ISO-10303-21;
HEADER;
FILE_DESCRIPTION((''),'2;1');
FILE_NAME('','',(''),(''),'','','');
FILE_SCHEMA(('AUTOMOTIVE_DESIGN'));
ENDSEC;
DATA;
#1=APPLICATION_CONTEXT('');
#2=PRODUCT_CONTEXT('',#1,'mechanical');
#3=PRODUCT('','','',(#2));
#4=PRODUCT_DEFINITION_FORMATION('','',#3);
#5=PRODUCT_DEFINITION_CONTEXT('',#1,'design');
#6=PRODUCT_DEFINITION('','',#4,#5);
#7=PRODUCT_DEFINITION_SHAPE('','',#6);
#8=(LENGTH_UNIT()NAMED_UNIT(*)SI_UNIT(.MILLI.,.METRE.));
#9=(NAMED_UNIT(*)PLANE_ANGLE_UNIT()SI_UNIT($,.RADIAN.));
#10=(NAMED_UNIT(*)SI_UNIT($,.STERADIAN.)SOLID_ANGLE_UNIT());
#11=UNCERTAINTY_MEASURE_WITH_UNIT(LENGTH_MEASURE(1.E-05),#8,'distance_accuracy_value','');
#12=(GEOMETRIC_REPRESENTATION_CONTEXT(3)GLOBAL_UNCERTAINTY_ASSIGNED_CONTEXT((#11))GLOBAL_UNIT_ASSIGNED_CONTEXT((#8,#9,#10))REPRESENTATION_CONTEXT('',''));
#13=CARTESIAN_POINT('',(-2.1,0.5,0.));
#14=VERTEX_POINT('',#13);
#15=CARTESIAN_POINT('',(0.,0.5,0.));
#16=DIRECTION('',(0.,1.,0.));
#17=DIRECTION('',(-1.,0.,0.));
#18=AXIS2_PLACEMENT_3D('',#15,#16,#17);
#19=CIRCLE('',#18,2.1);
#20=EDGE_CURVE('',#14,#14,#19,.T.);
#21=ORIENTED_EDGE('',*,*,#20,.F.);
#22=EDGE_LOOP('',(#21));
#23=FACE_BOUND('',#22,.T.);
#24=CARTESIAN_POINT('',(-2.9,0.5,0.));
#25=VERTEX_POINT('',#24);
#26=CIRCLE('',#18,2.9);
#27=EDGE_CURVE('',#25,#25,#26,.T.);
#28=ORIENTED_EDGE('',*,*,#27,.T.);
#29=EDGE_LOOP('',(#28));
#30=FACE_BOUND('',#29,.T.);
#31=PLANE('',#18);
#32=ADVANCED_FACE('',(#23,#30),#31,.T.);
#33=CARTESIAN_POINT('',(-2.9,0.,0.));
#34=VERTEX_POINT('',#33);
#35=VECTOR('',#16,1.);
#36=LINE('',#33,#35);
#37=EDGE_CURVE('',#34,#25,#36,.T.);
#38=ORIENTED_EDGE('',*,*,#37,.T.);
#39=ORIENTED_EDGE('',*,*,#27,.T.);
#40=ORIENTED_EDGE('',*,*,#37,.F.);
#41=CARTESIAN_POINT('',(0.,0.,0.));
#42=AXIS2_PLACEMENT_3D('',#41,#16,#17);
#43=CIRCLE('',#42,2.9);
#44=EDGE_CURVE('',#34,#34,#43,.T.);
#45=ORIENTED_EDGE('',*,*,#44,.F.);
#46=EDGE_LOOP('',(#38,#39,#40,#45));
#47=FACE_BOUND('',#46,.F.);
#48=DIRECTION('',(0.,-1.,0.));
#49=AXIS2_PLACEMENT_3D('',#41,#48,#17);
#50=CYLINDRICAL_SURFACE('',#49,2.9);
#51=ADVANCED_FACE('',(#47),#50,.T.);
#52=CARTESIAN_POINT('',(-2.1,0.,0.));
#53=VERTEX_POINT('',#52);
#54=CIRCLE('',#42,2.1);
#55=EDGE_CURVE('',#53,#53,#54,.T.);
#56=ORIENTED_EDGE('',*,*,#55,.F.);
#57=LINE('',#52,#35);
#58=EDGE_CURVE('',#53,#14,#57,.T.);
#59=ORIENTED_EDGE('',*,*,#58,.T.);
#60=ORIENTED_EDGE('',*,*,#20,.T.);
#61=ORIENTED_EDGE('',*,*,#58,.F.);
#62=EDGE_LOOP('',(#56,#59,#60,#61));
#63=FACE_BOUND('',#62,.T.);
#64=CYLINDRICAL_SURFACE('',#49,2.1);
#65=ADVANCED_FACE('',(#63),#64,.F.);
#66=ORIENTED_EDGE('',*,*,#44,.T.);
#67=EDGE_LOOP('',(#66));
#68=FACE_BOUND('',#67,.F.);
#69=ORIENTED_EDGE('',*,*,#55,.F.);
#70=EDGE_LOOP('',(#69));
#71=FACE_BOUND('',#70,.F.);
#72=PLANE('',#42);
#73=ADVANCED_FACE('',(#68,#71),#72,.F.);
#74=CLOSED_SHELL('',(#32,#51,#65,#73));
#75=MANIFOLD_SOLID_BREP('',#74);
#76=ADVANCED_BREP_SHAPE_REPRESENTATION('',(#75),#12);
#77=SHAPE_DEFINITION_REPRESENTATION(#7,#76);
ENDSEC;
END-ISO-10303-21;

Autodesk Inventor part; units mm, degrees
ref_plane "YZ Plane" through (0, 0, 0) normal (1, 0, 0) x (0, 1, 0)
ref_plane "XZ Plane" through (0, 0, 0) normal (0, 1, 0) x (-1, 0, 0)
ref_plane "XY Plane" through (0, 0, 0) normal (0, 0, 1) x (1, 0, 0)
sketch "Sketch1" plane through (0, 0, 0) normal (0, 1, 0) x (-1, 0, 0)
  circle A0 centre (0, 0) radius 2.1
  circle A1 centre (0, 0) radius 2.9
  dimension "d0" = 4.2
  dimension "d1" = 5.8
extrude "Extrusion1" add sketch "Sketch1" along normal blind 0.5
properties part number "OutputPlateSpacer"
